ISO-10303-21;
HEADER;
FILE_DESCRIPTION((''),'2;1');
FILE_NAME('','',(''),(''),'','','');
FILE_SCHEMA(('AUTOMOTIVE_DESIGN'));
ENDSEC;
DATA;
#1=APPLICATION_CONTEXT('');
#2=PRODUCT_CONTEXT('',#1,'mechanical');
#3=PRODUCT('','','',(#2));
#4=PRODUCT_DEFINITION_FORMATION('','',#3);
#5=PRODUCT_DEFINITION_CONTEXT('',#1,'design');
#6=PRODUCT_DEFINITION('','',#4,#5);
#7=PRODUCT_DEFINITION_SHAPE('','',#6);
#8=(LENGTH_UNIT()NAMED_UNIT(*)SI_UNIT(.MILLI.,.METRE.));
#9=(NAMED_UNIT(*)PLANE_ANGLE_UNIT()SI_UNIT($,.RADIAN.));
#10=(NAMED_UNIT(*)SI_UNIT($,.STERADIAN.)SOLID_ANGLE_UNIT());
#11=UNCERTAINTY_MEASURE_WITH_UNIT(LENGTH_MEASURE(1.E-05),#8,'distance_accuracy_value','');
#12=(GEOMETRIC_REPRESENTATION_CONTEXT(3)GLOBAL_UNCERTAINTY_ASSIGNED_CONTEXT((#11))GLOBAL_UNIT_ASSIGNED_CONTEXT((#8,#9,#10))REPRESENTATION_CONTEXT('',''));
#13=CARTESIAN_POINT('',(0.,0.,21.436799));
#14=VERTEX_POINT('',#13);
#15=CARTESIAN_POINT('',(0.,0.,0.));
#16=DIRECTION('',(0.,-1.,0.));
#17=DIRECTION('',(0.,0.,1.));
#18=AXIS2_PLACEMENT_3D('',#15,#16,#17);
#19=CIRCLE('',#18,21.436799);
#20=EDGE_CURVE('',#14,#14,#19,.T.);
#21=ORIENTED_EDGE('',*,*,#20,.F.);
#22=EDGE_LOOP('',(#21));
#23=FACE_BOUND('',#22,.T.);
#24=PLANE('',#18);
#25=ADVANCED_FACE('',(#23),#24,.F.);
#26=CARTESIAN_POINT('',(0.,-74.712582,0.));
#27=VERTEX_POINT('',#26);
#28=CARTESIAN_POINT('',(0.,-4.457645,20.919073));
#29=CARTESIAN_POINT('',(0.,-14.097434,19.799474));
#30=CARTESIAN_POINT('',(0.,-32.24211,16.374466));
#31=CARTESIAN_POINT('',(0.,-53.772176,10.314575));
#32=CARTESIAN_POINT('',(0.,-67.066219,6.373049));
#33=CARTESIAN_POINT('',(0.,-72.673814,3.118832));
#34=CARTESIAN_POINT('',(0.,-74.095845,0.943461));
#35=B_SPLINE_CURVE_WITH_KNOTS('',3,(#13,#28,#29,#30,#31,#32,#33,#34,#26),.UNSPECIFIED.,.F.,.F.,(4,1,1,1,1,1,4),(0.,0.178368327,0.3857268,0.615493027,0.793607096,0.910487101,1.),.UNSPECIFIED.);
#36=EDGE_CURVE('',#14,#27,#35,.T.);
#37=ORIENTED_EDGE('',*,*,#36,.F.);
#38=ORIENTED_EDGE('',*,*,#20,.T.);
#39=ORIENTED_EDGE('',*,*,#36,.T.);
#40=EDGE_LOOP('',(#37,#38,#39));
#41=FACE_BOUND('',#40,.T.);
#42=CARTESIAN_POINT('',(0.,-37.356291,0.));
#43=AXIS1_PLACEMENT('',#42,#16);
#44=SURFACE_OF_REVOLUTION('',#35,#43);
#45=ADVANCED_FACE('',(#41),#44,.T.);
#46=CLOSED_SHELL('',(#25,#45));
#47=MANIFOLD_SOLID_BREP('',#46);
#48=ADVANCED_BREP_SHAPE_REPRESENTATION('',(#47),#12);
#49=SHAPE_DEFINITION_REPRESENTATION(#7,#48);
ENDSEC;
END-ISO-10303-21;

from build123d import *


with BuildPart() as f2:
    # F1 (on Right) → F2 (revolve)
    with BuildSketch(Plane.YZ):
        with BuildLine():
            Line((0, 0), (0, 21.4367993176))
            add(Edge.make_bspline(
                [(0, 21.4367993176), (-4.4576447982, 20.9190728376), (-14.0974339481, 19.7994739618), (-32.2421100156, 16.3744658146), (-53.7721762933, 10.3145746544), (-67.0662194989, 6.3730486763), (-72.6738136251, 3.1188321047), (-74.095844916, 0.9434614028), (-74.7125819325, 0)],
                knots=[0, 0, 0, 0, 0.1783683272, 0.3857268004, 0.6154930268, 0.7936070961, 0.9104871007, 1, 1, 1, 1], degree=3))
            Line((-74.7125819325, 0), (0, 0))
        make_face()
    revolve(axis=Axis((0, -37.3562909663, 0), (0, -1, 0)))


solid = f2.part
